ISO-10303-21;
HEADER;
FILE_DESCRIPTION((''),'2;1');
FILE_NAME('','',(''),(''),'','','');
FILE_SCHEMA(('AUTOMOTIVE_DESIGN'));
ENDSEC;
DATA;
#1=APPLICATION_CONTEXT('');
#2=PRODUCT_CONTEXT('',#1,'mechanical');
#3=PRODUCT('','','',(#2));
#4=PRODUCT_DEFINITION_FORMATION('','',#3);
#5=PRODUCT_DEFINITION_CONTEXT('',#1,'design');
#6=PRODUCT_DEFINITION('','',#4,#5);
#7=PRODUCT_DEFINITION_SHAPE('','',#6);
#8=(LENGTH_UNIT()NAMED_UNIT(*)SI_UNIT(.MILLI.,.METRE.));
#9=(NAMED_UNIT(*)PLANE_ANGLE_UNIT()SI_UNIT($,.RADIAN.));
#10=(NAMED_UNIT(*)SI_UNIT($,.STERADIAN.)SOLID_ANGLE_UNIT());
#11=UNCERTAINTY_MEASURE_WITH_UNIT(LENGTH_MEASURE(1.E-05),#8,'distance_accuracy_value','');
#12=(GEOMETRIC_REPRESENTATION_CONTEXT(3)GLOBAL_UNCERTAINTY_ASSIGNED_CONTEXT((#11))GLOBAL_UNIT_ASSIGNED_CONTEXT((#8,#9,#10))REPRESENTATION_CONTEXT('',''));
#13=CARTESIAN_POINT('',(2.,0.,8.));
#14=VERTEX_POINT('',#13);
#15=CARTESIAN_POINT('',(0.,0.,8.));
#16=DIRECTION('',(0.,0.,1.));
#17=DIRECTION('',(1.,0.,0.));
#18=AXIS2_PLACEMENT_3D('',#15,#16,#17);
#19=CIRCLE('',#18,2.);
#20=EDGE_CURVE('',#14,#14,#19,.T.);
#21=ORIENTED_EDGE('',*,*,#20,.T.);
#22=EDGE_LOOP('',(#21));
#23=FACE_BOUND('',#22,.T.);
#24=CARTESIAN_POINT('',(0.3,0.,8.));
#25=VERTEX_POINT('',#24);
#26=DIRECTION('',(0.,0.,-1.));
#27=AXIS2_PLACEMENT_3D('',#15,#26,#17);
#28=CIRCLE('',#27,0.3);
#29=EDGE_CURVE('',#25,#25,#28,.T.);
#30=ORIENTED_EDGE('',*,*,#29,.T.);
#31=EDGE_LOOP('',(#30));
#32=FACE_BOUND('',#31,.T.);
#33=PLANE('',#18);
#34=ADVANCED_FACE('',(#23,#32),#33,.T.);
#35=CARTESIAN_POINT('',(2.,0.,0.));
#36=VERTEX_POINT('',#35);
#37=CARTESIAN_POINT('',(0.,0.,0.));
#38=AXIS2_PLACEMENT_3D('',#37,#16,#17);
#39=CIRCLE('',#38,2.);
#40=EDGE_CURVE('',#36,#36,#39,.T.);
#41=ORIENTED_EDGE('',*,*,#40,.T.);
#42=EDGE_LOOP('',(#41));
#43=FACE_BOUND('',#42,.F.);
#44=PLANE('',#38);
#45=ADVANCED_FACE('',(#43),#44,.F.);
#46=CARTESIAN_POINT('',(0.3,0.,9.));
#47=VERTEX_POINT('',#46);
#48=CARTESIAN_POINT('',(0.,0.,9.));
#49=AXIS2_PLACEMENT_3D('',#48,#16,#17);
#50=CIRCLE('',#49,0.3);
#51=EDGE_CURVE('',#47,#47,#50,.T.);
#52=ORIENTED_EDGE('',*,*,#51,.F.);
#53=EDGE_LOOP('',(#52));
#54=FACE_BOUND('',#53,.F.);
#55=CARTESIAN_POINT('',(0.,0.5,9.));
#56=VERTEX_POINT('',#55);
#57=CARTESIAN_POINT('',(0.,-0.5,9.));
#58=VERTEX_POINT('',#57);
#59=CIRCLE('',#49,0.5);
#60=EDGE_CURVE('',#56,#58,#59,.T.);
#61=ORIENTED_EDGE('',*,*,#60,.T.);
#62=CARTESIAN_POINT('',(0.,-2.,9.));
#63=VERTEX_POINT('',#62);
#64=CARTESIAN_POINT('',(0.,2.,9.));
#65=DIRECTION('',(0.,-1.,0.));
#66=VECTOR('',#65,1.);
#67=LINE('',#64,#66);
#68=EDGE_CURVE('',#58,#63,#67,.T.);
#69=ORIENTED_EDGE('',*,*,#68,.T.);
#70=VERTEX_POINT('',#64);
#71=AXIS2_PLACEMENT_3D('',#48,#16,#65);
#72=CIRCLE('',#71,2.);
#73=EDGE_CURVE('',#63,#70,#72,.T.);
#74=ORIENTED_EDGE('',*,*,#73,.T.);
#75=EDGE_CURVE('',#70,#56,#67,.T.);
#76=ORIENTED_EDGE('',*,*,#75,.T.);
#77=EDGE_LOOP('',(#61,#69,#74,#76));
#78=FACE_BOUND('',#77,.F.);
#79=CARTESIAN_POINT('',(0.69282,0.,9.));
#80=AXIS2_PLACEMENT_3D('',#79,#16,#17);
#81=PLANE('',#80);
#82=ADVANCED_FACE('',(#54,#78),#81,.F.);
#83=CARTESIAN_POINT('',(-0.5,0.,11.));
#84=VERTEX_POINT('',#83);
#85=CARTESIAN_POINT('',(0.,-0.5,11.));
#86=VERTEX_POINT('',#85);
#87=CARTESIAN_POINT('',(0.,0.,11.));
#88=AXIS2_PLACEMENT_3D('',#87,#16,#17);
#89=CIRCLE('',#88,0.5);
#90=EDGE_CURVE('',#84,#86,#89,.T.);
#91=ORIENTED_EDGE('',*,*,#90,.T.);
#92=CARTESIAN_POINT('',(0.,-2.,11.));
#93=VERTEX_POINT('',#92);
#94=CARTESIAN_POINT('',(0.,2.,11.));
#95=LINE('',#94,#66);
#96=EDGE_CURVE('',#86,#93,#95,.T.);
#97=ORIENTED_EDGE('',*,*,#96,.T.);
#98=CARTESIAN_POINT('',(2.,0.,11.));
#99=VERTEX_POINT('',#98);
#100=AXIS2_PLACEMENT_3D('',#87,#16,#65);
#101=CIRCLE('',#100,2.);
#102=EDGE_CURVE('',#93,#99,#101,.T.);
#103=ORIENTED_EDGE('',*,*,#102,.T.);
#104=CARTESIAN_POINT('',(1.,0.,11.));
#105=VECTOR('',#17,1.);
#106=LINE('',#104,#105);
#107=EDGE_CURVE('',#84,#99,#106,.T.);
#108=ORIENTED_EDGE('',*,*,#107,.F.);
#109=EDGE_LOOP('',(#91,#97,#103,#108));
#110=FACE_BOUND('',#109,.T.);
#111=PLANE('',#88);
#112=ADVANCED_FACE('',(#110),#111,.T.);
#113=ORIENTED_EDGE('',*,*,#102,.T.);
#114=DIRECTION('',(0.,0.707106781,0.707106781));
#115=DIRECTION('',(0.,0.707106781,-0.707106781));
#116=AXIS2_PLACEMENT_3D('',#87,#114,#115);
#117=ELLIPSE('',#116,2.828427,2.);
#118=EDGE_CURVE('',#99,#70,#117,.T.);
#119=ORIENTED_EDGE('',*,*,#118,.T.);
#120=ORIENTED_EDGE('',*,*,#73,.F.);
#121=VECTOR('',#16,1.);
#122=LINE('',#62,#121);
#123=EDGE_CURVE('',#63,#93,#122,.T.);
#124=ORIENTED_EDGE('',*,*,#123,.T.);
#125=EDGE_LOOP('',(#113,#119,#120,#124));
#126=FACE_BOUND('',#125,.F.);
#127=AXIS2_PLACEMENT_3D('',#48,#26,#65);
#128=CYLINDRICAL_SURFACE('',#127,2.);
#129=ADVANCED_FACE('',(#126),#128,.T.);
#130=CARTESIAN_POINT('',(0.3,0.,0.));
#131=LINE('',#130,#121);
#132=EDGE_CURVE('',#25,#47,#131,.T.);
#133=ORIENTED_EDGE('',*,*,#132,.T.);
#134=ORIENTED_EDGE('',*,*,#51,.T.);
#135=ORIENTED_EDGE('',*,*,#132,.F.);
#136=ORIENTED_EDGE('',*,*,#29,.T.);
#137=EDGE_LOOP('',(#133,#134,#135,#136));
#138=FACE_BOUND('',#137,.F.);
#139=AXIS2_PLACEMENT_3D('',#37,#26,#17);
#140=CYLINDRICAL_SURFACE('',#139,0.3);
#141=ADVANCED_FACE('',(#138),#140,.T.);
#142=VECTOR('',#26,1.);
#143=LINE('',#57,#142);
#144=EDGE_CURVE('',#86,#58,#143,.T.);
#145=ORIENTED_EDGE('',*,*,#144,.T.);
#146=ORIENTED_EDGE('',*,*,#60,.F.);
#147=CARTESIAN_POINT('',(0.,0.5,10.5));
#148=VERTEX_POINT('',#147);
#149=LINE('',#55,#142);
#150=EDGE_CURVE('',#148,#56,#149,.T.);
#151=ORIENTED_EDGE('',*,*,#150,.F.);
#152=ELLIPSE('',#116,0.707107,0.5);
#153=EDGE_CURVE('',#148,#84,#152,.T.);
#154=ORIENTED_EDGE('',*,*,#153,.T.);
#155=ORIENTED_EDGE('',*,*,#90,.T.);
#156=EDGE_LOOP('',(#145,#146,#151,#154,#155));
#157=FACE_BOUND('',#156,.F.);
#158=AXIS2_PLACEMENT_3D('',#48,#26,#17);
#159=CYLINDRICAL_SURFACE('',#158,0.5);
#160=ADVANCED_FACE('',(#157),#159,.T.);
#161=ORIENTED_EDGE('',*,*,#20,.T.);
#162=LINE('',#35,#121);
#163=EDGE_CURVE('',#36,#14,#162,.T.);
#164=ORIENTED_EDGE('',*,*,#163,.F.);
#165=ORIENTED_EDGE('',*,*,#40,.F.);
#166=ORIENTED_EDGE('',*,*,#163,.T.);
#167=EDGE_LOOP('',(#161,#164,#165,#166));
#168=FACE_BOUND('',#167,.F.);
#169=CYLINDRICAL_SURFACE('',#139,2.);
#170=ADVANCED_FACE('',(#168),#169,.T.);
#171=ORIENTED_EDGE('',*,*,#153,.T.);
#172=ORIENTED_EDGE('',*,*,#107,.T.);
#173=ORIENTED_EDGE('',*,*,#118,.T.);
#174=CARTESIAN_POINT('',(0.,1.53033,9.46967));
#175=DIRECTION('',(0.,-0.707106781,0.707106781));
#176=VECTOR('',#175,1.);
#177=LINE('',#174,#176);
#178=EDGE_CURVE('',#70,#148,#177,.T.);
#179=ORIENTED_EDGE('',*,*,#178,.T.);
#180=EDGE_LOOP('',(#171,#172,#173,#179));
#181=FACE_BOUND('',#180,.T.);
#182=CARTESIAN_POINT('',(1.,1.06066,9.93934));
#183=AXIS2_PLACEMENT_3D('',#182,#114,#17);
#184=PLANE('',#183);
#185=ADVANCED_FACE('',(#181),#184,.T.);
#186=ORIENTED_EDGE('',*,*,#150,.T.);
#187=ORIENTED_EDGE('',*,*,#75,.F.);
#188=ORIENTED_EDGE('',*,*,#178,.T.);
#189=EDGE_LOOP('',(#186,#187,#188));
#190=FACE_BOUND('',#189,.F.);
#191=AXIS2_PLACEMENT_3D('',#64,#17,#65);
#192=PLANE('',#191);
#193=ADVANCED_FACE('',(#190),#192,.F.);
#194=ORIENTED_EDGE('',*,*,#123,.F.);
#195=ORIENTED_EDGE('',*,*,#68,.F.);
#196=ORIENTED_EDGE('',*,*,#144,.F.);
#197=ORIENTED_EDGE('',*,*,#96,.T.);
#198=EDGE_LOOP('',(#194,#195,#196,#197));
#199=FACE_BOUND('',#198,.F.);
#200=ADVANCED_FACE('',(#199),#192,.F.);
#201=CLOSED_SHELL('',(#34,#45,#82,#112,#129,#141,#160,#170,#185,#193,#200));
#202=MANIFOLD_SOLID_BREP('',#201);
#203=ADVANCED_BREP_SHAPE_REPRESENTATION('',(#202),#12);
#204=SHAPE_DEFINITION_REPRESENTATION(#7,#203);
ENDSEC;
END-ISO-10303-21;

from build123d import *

# Parameters (mm, degrees)
BOX_W             = 4
BOX_H             = 3
BOX_DEPTH         = 2
BOX_ROLL_ANGLE    = -45
CYLINDER001_R     = 0.3
CYLINDER001_DEPTH = 11
CYLINDER_R        = 2
CYLINDER_DEPTH    = 8
CYLINDER002_R     = 0.5
CYLINDER002_DEPTH = 2
PAD_DEPTH         = 2


with BuildPart() as w_rfel:
    # Box → Box (new body)
    with BuildSketch(Plane.XY):
        with Locations((2, 1.5)):
            Rectangle(BOX_W, BOX_H)
    extrude(amount=BOX_DEPTH)


with BuildPart() as w_rfel_1:
    # Box roll: moved
    add(w_rfel.part.rotate(Axis((0, 0, 0), (1, 0, 0)), BOX_ROLL_ANGLE))


with BuildPart() as w_rfel_2:
    # Box placement: moved
    add(w_rfel_1.part.moved(Location((-1, 0, 11))))


with BuildPart() as achse:
    # Cylinder001 → Cylinder001 (new body)
    with BuildSketch(Plane.XY):
        Circle(CYLINDER001_R)
    extrude(amount=CYLINDER001_DEPTH)


with BuildPart() as motor:
    # Cylinder → Cylinder (new body)
    with BuildSketch(Plane.XY):
        Circle(CYLINDER_R)
    extrude(amount=CYLINDER_DEPTH)


with BuildPart() as zylinder:
    # Cylinder002 → Cylinder002 (new body)
    with BuildSketch(Plane.XY.offset(9)):
        Circle(CYLINDER002_R)
    extrude(amount=CYLINDER002_DEPTH)


with BuildPart() as cut:
    # Sketch → Pad (new body)
    with BuildSketch(Plane.XY.offset(9)):
        with BuildLine():
            Line((0, 2), (0, -2))
            ThreePointArc((0, -2), (2, 0), (0, 2))
        make_face()
    extrude(amount=PAD_DEPTH)

    # Fusion: union Achse, Motor, Zylinder
    add(achse.part)
    add(motor.part)
    add(zylinder.part)

    # Cut: cut Würfel
    add(w_rfel_2.part, mode=Mode.SUBTRACT)


solid = cut.part
